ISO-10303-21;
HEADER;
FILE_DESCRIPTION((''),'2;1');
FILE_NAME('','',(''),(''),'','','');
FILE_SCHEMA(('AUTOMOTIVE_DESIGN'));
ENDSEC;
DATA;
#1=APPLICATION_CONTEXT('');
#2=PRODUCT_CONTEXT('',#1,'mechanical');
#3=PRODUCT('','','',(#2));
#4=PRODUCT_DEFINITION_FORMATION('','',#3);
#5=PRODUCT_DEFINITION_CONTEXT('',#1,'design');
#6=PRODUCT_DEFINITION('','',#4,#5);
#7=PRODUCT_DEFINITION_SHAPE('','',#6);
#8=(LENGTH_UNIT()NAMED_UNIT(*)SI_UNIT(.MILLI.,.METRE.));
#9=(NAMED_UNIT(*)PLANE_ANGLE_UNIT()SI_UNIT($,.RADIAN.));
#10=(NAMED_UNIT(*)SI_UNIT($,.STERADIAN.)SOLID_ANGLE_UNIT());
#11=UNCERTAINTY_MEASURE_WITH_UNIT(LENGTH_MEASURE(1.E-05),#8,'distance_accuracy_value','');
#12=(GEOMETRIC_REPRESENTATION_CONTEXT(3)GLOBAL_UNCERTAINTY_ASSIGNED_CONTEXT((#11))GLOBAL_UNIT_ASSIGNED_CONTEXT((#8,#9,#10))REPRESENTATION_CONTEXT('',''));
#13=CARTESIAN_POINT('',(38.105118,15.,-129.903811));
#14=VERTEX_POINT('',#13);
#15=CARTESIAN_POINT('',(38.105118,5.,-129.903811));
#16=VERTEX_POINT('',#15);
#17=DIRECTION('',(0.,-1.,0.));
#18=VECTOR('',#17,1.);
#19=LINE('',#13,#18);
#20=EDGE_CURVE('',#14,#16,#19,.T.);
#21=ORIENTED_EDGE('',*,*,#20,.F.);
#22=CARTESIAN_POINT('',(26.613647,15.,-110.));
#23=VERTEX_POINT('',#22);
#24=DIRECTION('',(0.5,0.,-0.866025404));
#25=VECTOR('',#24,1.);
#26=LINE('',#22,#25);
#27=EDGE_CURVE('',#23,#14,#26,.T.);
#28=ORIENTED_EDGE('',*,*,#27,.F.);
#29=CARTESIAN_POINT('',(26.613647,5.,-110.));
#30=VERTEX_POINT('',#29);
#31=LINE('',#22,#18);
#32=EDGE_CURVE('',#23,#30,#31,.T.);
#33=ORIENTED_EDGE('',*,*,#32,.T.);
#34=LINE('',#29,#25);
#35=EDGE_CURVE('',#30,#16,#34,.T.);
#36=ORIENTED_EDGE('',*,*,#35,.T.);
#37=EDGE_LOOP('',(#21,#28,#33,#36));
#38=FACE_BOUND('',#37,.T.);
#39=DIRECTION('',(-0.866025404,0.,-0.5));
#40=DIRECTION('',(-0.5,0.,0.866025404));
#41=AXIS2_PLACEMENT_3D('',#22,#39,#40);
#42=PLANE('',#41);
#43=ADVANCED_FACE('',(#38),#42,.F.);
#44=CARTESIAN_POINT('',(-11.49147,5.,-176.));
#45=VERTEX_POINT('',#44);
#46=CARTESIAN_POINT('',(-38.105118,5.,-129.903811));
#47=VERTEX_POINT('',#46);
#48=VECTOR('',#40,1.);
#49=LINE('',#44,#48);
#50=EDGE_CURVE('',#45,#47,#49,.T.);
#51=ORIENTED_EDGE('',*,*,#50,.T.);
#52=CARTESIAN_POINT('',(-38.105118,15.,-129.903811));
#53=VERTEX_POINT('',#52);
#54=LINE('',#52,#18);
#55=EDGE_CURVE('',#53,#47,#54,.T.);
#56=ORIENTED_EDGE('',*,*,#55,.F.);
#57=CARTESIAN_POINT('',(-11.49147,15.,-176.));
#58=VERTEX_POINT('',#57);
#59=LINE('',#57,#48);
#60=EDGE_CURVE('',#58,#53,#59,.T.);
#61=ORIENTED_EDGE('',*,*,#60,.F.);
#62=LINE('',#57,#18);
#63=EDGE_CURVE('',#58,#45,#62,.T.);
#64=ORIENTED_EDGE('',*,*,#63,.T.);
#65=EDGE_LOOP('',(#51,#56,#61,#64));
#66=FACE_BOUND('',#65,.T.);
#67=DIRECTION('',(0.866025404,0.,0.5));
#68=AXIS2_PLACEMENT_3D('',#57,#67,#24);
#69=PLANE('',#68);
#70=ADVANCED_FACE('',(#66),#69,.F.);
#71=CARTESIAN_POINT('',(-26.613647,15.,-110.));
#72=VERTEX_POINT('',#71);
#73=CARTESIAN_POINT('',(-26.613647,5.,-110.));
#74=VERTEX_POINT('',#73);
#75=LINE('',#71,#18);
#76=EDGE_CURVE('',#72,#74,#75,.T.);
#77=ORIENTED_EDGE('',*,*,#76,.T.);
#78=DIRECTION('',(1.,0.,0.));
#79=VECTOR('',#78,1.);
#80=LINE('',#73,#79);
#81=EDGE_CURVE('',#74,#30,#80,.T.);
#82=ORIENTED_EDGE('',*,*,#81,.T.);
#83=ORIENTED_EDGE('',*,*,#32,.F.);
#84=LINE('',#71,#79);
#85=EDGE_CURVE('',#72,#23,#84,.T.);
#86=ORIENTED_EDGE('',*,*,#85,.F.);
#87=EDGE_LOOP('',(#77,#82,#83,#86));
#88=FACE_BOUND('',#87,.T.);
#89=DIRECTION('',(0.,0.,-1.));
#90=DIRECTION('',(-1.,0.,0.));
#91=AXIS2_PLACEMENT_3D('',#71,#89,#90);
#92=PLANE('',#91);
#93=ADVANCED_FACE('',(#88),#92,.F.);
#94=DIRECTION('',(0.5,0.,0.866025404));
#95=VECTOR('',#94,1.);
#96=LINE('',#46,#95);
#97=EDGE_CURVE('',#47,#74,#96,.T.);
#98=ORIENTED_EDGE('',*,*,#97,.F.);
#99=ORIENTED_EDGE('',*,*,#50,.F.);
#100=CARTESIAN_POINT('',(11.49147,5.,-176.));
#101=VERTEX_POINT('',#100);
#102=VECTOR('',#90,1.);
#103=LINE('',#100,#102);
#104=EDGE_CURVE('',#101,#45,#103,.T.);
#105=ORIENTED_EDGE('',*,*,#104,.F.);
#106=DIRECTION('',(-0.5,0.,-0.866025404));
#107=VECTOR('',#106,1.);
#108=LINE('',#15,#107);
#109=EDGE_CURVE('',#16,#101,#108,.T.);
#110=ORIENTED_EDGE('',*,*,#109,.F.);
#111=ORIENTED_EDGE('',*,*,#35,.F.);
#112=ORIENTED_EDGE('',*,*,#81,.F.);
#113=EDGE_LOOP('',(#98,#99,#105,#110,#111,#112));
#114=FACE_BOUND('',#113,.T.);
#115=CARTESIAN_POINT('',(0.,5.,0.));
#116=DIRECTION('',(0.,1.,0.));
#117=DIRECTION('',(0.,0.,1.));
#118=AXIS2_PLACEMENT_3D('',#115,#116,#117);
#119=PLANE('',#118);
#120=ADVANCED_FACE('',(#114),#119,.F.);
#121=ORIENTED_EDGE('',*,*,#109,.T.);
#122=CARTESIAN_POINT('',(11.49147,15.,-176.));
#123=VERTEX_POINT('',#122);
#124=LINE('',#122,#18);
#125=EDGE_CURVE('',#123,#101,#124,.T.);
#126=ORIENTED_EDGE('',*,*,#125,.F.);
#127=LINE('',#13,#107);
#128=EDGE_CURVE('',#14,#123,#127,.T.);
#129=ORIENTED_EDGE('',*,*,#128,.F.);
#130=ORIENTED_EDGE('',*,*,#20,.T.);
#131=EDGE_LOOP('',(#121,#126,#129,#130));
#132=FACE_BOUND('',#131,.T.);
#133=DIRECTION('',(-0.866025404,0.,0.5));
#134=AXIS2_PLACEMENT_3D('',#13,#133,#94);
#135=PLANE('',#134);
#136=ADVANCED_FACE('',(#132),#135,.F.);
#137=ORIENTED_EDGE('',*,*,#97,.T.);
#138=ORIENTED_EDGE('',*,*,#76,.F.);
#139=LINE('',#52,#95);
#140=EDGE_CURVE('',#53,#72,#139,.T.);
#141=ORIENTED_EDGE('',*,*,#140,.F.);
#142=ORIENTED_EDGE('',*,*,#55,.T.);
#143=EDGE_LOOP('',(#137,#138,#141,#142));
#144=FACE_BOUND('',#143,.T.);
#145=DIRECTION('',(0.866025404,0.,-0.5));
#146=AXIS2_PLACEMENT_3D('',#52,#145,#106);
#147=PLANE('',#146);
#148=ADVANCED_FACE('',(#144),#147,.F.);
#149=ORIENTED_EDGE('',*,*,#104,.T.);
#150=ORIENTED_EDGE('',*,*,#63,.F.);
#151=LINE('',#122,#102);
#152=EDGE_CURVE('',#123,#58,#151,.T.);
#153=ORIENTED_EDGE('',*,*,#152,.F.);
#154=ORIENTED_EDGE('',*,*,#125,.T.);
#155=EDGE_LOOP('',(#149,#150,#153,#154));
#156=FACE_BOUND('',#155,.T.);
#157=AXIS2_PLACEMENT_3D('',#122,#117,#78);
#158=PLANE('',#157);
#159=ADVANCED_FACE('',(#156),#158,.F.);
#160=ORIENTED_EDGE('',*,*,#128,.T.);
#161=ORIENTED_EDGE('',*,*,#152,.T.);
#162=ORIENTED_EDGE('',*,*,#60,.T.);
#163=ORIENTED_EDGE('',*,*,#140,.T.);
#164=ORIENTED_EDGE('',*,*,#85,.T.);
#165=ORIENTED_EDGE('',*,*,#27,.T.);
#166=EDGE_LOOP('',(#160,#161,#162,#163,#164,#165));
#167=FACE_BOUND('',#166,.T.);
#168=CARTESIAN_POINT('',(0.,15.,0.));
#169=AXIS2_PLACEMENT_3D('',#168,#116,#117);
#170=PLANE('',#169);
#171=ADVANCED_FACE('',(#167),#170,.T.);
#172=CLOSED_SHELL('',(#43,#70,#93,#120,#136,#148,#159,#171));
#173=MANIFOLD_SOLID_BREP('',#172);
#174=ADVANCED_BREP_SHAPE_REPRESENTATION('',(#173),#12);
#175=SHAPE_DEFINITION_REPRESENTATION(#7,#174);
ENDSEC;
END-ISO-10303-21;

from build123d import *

# Parameters (mm, degrees)
EXTRUDE_1_DEPTH     = 5
FILLET_1_R          = 20
EXTRUDE_2_DEPTH     = 10
SKETCH_3_W          = 458.835277925
SKETCH_3_H          = 325.644744519
CUT_EXTRUDE_1_DEPTH = 10


with BuildPart() as part:
    # 草圖1 → 填料-伸長1 (new body)
    with BuildSketch(Plane(origin=(0, 0, 0), x_dir=(1, 0, 0), z_dir=(0, 1, 0))):
        Polygon((-90.122176988, 0), (90.122176988, 0), (165.122176988, 129.903810568), (75, 286), (-75, 286), (-165.122176988, 129.903810568), align=None)
    extrude(amount=EXTRUDE_1_DEPTH)

    # 圓角1
    fillet_1_edges = [part.edges().sort_by_distance(p)[0] for p in [
        (-165.122176988, 2.5, -129.903810568),
        (-75, 2.5, -286),
        (75, 2.5, -286),
        (165.122176988, 2.5, -129.903810568),
        (90.122176988, 2.5, 0),
        (-90.122176988, 2.5, 0),
    ]]
    fillet(fillet_1_edges, radius=FILLET_1_R)

    # 草圖2 → 填料-伸長2 (add)
    with BuildSketch(Plane(origin=(0, 5, 0), x_dir=(1, 0, 0), z_dir=(0, 1, 0))):
        Polygon((-26.613647377, 110), (26.613647377, 110), (38.105117767, 129.903810568), (11.491470389, 176), (-11.491470389, 176), (-38.105117767, 129.903810568), align=None)
    extrude(amount=EXTRUDE_2_DEPTH)

    # 草圖3 → 除料-伸長1 (cut)
    with BuildSketch(Plane(origin=(0, 5, 0), x_dir=(1, 0, 0), z_dir=(0, 1, 0))):
        with Locations((11.913832117, 140.556137002)):
            Rectangle(SKETCH_3_W, SKETCH_3_H)
    extrude(amount=-CUT_EXTRUDE_1_DEPTH, mode=Mode.SUBTRACT)


solid = part.part
